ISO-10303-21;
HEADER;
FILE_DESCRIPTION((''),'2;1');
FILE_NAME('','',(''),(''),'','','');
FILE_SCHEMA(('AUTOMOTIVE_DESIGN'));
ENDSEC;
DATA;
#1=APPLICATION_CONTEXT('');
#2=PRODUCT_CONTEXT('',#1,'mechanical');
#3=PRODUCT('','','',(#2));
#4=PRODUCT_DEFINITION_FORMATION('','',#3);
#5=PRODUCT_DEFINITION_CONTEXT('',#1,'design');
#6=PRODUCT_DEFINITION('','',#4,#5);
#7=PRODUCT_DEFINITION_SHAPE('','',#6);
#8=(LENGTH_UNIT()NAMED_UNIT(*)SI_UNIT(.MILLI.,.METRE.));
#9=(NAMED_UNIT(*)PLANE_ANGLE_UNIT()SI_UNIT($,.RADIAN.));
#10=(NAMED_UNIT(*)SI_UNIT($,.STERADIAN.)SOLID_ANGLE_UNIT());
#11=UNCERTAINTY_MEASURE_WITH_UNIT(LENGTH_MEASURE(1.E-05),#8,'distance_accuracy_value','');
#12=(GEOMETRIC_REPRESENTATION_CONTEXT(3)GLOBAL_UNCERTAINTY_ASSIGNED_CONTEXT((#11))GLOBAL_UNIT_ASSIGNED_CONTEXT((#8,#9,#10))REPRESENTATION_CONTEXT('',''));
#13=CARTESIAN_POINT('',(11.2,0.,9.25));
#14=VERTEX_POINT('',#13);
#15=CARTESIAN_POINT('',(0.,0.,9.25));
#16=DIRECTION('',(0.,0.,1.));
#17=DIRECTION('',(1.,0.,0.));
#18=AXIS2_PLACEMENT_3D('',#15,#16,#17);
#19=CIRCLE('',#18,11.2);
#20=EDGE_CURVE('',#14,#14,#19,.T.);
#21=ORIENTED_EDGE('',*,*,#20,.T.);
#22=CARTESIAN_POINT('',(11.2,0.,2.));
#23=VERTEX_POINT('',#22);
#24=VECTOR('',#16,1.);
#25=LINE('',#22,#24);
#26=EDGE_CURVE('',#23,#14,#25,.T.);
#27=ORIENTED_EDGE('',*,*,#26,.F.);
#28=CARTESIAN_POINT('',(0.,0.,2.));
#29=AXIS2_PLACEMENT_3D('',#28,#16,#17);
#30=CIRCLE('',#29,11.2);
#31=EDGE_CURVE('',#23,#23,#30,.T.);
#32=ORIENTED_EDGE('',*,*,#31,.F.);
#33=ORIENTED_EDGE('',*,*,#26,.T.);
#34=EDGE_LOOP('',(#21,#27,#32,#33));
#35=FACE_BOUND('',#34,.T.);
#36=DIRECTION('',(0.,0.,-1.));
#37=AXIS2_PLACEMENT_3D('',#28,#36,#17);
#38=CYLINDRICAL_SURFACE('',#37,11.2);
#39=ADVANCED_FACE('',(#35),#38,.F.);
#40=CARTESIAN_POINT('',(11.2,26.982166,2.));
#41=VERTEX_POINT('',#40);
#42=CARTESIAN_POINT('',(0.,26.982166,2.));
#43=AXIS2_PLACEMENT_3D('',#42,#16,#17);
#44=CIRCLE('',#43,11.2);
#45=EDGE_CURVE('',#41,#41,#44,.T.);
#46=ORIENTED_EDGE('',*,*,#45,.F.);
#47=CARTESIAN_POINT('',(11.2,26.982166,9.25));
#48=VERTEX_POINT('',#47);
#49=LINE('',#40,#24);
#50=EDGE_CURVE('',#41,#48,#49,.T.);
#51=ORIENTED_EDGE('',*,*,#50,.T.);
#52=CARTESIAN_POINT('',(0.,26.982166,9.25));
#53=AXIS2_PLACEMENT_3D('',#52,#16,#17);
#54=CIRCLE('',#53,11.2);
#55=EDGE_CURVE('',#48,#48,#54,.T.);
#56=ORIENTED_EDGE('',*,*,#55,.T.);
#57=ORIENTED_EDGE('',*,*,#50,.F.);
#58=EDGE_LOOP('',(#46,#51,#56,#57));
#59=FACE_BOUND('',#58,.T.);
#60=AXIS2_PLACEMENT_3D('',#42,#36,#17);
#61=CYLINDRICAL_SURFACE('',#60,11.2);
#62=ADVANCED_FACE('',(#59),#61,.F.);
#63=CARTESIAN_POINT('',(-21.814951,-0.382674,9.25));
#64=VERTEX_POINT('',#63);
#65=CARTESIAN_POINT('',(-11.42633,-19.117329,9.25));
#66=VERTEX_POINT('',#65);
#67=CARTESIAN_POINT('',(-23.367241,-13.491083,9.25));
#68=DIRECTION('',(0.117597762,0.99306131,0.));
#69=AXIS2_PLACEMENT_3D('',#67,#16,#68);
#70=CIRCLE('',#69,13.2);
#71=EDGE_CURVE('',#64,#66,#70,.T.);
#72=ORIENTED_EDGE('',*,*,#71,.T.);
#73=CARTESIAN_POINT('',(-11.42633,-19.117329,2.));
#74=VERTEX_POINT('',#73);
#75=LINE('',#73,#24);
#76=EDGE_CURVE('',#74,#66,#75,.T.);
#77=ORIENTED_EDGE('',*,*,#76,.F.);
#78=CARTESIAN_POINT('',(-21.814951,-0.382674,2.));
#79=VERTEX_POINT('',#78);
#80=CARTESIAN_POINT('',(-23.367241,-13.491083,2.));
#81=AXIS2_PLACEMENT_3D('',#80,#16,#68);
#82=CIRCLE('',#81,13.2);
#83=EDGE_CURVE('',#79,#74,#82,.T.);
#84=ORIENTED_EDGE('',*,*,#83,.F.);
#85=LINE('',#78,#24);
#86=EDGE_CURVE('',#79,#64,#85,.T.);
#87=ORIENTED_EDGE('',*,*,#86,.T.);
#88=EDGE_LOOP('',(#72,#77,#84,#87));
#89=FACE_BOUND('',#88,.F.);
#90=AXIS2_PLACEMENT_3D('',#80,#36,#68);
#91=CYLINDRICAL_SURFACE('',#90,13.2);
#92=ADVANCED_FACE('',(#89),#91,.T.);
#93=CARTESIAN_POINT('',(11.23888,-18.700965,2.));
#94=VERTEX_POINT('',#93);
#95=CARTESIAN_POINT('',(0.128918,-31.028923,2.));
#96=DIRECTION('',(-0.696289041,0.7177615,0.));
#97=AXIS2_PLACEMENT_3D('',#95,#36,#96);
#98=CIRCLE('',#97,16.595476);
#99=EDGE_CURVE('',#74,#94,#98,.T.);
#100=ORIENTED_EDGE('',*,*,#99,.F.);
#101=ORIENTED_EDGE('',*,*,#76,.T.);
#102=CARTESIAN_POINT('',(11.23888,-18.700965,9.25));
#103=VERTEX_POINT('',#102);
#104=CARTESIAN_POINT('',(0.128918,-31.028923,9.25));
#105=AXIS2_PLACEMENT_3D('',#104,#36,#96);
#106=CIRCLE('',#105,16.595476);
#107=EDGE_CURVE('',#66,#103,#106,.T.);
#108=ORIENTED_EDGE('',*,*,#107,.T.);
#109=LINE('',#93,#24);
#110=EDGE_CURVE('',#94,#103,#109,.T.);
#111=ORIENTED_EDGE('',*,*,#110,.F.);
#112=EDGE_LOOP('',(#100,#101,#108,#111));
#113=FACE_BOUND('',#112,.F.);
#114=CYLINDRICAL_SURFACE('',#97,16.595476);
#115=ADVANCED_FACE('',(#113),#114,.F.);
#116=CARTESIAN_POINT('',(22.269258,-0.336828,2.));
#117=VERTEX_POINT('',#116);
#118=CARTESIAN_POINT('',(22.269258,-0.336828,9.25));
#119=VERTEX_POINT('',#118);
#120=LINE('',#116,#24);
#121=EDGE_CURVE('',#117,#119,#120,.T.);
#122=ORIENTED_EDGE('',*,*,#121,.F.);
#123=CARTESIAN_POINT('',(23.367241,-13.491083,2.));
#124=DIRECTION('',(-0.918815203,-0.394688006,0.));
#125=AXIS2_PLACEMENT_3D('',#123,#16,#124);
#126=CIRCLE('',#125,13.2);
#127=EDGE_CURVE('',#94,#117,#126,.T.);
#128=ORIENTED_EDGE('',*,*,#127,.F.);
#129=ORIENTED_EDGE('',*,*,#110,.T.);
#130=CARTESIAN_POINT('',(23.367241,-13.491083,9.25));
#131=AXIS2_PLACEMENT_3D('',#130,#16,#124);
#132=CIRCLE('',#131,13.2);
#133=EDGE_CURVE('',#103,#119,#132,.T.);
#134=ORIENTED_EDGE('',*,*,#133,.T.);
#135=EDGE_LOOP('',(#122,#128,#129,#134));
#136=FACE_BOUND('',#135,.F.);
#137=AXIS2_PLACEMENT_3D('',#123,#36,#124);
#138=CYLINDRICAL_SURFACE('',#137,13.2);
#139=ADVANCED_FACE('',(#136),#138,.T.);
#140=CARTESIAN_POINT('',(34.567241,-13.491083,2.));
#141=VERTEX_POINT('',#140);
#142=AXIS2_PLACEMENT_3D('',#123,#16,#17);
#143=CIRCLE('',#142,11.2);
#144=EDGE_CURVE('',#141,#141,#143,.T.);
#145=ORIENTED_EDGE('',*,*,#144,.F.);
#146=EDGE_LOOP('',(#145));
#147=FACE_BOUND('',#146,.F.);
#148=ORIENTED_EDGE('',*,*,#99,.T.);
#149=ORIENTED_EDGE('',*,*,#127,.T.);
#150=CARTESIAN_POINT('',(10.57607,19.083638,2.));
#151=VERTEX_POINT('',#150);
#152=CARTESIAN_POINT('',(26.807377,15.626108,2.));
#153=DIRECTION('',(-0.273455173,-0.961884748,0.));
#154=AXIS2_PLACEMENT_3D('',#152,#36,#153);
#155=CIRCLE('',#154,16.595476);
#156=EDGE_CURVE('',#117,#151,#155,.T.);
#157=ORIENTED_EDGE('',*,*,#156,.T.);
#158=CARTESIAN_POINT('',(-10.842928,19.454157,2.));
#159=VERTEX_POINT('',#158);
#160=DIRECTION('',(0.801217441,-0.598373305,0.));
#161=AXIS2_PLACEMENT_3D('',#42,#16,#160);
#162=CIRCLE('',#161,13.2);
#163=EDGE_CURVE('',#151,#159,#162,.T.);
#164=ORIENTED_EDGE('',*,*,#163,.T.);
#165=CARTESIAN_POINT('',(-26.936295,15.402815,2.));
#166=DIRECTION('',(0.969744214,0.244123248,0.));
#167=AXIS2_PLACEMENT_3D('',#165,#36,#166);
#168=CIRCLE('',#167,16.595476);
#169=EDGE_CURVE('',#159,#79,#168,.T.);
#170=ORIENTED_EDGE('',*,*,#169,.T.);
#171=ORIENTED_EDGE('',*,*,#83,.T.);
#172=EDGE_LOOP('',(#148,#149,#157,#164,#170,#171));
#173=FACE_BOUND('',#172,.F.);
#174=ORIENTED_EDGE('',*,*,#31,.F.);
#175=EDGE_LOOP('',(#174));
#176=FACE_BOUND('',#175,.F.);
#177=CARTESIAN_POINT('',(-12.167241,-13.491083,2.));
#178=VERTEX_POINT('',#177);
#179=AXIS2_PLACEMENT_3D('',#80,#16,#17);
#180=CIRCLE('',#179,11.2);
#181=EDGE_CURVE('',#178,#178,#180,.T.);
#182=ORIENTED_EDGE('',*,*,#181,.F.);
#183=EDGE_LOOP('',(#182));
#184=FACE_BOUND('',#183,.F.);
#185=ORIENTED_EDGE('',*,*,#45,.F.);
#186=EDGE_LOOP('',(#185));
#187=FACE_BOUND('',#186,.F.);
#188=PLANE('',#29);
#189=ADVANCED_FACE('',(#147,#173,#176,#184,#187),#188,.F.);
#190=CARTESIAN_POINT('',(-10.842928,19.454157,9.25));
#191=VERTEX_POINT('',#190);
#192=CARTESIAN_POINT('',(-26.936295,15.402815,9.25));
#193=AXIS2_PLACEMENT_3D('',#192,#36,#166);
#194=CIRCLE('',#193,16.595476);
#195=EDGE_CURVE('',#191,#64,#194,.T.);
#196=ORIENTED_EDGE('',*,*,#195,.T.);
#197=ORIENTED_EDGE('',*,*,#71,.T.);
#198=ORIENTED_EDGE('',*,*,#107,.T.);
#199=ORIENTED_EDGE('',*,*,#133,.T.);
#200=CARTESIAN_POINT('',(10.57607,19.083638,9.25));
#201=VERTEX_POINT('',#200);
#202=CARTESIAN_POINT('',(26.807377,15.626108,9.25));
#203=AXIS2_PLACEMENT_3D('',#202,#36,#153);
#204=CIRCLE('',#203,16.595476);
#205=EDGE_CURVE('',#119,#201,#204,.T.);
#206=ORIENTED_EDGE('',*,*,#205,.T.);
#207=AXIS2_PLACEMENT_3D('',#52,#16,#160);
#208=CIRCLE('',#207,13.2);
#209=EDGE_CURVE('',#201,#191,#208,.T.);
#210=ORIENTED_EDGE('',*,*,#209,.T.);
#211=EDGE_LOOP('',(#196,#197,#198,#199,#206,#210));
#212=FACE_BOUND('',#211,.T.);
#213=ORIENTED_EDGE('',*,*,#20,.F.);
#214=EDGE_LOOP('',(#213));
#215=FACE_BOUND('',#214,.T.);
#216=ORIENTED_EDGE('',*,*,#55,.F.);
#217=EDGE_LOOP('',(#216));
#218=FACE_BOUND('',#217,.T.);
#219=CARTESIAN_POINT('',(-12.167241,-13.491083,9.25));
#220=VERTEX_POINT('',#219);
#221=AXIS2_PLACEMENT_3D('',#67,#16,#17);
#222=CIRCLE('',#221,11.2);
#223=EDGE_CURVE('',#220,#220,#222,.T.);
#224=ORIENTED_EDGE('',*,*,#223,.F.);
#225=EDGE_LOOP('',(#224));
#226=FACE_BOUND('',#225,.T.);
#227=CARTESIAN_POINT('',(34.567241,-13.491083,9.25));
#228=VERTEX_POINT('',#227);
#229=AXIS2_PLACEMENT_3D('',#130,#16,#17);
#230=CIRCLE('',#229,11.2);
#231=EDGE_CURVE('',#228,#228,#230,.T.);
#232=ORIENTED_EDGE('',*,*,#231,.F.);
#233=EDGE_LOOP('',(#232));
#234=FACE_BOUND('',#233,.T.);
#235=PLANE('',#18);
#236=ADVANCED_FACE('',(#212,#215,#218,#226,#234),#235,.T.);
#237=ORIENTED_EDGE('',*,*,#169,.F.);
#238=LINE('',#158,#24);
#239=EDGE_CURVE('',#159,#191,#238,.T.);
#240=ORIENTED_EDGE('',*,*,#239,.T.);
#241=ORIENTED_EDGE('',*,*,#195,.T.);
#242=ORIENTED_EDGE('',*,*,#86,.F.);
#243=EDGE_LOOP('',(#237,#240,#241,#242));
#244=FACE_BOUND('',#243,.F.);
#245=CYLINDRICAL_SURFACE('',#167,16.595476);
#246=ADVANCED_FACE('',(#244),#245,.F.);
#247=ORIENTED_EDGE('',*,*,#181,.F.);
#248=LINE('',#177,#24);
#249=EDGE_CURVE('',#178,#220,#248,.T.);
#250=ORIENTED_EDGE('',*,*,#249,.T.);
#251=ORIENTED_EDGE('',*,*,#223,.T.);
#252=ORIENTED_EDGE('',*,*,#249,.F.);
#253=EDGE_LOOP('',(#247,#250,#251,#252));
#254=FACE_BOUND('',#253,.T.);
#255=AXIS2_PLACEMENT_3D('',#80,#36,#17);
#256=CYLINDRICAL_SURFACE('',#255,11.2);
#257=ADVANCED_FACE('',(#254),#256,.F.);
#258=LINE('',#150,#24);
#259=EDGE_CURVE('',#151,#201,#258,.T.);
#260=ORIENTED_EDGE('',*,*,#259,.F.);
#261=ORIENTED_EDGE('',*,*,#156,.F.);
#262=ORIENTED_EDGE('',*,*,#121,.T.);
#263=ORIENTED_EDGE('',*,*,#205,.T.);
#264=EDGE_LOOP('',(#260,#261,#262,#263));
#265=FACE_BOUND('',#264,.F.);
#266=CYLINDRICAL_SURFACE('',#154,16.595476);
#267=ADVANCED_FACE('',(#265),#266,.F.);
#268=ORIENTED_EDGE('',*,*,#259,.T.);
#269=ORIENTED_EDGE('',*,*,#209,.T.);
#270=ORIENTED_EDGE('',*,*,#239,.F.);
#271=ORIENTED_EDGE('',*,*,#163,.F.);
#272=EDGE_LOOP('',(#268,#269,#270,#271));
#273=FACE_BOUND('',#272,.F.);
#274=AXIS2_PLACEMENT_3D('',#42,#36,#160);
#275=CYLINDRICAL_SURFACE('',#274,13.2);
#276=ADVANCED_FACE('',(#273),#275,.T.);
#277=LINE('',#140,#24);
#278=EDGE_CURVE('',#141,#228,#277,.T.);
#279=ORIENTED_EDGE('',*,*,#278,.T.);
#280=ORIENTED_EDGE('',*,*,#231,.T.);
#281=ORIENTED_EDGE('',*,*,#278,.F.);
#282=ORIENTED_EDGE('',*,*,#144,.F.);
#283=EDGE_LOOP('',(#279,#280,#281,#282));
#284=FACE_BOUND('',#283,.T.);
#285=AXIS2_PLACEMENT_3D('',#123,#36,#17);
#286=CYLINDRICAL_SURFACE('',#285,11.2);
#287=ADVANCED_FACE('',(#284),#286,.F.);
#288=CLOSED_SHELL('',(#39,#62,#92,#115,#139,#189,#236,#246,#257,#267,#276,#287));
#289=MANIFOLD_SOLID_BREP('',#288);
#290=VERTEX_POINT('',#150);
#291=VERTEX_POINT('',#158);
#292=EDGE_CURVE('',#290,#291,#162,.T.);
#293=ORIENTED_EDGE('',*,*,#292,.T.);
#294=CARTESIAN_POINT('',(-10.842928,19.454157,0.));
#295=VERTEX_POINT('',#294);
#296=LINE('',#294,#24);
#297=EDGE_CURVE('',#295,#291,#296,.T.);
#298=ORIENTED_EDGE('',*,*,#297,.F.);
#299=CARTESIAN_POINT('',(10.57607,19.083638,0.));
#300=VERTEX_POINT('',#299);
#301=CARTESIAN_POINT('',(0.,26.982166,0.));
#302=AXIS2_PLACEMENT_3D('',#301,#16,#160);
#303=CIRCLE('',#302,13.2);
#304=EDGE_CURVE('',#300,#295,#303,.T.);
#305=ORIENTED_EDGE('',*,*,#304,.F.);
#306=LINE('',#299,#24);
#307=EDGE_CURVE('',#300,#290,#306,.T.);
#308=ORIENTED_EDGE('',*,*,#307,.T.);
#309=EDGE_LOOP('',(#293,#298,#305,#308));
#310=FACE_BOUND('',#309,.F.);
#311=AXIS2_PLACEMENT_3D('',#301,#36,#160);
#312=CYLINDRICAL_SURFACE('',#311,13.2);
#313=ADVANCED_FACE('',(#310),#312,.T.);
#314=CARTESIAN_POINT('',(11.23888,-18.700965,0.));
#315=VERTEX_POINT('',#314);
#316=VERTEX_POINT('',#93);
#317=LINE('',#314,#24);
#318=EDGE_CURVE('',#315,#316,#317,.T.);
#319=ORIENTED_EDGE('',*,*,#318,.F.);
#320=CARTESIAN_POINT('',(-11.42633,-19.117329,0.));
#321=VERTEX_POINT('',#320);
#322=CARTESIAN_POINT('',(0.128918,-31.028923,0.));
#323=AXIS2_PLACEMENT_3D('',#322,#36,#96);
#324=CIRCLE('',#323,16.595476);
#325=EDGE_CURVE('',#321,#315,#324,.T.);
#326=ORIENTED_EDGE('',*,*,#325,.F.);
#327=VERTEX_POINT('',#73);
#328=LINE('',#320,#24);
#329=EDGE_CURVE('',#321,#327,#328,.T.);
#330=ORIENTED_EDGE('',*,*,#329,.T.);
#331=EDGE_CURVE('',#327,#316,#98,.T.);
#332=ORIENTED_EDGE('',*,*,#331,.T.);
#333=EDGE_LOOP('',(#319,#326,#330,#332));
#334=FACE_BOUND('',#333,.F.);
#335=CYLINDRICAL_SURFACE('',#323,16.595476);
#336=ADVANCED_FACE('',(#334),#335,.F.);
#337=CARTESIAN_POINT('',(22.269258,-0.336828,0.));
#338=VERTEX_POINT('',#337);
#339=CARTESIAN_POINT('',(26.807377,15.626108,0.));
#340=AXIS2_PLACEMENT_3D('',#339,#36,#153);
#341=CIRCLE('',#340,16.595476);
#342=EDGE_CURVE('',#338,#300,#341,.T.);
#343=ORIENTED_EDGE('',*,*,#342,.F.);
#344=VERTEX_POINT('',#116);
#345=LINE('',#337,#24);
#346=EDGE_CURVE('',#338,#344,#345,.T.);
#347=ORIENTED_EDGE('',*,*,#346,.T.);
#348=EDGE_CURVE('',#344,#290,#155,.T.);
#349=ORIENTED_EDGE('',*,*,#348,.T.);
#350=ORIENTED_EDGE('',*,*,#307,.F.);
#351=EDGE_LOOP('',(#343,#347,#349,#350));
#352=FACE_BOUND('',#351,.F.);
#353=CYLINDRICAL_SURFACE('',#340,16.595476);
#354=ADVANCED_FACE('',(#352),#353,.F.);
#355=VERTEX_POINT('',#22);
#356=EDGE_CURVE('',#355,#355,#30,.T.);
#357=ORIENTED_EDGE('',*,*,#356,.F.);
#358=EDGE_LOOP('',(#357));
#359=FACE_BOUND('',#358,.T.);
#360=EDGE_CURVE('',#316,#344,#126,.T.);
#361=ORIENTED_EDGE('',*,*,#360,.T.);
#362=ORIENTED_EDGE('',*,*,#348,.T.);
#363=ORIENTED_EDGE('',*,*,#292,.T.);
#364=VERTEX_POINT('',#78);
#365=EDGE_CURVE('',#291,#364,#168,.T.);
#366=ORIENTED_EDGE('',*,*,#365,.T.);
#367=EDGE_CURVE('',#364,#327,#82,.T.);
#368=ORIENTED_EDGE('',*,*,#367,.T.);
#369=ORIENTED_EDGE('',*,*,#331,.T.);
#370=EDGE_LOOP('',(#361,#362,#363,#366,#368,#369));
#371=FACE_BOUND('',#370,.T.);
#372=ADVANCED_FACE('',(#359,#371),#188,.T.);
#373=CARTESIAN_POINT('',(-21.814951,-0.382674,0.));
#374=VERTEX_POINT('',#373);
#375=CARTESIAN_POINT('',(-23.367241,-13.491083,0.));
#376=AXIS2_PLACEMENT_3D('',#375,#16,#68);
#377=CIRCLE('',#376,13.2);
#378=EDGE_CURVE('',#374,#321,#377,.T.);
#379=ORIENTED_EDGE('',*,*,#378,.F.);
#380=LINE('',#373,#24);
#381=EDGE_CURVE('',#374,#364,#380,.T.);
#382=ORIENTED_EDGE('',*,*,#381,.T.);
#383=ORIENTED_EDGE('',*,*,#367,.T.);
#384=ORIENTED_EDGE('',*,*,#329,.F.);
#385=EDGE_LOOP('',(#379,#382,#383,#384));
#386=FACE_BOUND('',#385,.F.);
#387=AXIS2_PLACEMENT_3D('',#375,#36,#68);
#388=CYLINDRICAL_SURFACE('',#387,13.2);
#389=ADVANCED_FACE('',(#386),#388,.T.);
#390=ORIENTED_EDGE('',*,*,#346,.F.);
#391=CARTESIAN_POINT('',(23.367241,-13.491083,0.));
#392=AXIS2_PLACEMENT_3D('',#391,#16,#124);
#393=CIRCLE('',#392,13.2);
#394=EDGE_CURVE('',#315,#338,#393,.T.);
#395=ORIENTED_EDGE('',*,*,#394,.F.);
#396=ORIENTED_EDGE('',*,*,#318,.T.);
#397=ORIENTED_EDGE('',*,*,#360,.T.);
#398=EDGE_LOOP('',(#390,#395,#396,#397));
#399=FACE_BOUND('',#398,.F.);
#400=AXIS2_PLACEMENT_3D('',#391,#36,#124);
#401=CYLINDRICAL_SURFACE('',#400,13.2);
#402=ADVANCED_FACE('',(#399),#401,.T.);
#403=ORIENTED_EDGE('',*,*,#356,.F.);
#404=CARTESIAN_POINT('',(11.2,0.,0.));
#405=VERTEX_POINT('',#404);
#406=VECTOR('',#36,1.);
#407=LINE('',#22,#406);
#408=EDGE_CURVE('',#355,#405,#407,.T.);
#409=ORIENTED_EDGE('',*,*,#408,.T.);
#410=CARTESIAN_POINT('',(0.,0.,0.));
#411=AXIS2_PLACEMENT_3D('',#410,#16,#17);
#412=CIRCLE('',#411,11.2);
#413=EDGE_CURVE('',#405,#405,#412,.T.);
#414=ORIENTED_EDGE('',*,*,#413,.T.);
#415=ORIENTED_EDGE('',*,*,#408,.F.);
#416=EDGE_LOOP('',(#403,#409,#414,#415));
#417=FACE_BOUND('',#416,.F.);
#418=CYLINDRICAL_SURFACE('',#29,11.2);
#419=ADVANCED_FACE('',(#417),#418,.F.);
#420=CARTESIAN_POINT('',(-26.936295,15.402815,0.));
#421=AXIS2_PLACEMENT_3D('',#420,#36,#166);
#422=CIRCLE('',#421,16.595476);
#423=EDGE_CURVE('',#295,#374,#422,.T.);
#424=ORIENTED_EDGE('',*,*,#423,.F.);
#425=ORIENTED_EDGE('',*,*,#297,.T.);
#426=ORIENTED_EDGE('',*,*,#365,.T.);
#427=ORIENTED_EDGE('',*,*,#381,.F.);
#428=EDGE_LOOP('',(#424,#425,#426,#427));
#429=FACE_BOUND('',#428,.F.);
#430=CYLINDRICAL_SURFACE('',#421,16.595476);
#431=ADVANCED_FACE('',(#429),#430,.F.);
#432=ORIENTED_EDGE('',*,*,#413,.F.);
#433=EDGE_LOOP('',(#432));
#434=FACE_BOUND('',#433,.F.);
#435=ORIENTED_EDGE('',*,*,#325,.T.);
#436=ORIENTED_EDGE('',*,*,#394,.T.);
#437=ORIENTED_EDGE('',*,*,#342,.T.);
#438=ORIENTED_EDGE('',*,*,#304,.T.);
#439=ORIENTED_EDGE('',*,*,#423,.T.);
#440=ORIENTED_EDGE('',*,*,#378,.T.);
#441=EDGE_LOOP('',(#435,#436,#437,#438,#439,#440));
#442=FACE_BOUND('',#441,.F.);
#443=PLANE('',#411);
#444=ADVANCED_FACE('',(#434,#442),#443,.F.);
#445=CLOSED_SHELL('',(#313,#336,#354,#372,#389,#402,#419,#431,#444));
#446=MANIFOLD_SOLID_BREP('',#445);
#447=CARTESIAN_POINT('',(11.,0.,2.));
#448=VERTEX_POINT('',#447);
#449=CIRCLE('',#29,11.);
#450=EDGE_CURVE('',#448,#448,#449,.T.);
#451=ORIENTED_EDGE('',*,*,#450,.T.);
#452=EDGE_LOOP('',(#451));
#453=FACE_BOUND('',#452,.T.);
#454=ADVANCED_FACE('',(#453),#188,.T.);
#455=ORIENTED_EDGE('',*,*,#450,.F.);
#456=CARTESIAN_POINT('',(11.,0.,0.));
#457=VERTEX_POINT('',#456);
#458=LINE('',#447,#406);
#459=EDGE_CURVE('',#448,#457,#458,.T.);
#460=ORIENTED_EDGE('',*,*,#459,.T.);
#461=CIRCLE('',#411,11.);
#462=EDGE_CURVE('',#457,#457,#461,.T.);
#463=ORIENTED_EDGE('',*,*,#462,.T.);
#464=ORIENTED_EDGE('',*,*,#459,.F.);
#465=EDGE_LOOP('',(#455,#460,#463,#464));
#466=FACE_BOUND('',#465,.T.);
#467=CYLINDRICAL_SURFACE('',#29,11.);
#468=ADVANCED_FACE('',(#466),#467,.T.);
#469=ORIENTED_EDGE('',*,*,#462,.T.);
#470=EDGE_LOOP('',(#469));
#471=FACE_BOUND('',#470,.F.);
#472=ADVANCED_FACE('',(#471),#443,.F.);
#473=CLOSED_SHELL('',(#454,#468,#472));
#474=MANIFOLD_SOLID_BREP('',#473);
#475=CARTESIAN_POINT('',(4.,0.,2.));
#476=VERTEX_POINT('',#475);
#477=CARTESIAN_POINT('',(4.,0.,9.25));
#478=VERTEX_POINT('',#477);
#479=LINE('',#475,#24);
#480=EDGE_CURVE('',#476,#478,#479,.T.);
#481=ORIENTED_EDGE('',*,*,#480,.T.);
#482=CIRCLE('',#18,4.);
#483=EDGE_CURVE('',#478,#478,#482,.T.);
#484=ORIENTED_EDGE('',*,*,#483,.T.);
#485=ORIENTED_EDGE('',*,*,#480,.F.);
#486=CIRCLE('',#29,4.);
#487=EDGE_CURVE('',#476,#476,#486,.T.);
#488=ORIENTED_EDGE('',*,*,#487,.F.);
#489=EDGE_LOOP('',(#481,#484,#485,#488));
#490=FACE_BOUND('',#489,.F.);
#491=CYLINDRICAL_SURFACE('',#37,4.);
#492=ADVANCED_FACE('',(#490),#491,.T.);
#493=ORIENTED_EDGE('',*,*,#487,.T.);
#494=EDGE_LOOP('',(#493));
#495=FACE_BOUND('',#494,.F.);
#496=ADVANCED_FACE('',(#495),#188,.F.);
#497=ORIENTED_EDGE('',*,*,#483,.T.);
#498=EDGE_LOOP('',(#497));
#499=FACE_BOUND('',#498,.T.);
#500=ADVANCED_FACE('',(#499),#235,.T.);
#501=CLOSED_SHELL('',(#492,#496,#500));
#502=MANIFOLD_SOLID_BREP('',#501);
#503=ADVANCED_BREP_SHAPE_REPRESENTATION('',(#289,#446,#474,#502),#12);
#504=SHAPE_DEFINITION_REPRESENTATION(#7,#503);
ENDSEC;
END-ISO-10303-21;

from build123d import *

# Parameters (mm, degrees)
F1_DEPTH = 2
F3_R     = 11.2
F3_R_2   = 11
F4_DEPTH = 2
F2_R     = 11.2
F5_DEPTH = 7.25
F2_R_2   = 4


with BuildPart() as f1:
    # F0 (on Top) → F1 (new body)
    with BuildSketch(Plane.XY):
        with BuildLine():
            ThreePointArc((22.2692580733, -0.3368276066), (12.5901028135, 7.0657954034), (10.5760702249, 19.0836382509))
            ThreePointArc((10.5760702249, 19.0836382509), (0.2283074176, 40.1801913209), (-10.8429277726, 19.4541570183))
            ThreePointArc((-10.8429277726, 19.4541570183), (-12.4142097241, 7.370451171), (-21.8149506344, -0.3826736385))
            ThreePointArc((-21.8149506344, -0.3826736385), (-34.9112201217, -19.8923756369), (-11.4263303007, -19.1173294116))
            ThreePointArc((-11.4263303007, -19.1173294116), (-0.1758930894, -14.4362465745), (11.2388804095, -18.7009646124))
            ThreePointArc((11.2388804095, -18.7009646124), (34.682912704, -20.287815684), (22.2692580733, -0.3368276066))
        make_face()
    extrude(amount=F1_DEPTH)

    # F3 (on face) + F1_face1 (on face) → F4 (cut)
    with BuildSketch(Plane.XY.offset(2)):
        Circle(F3_R)
        Circle(F3_R_2, mode=Mode.SUBTRACT)
    with BuildSketch(Plane(origin=(0, 0, 0), x_dir=(1, 0, 0), z_dir=(0, 0, -1))):
        with BuildLine():
            ThreePointArc((10.5760702249, -19.0836382509), (12.5901028135, -7.0657954034), (22.2692580733, 0.3368276066))
            ThreePointArc((22.2692580733, 0.3368276066), (34.682912704, 20.287815684), (11.2388804095, 18.7009646124))
            ThreePointArc((11.2388804095, 18.7009646124), (-0.1758930894, 14.4362465745), (-11.4263303007, 19.1173294116))
            ThreePointArc((-11.4263303007, 19.1173294116), (-34.9112201217, 19.8923756369), (-21.8149506344, 0.3826736385))
            ThreePointArc((-21.8149506344, 0.3826736385), (-12.4142097241, -7.370451171), (-10.8429277726, -19.4541570183))
            ThreePointArc((-10.8429277726, -19.4541570183), (0.2283074176, -40.1801913209), (10.5760702249, -19.0836382509))
        make_face()
    extrude(amount=-F4_DEPTH, dir=(0, 0, 1), mode=Mode.SUBTRACT)


with BuildPart() as f5:
    # F2 (on face) → F5 (new body)
    with BuildSketch(Plane.XY.offset(2)):
        with BuildLine():
            ThreePointArc((11.2388804095, -18.7009646124), (34.682912704, -20.287815684), (22.2692580733, -0.3368276066))
            ThreePointArc((22.2692580733, -0.3368276066), (12.5901028135, 7.0657954034), (10.5760702249, 19.0836382509))
            ThreePointArc((10.5760702249, 19.0836382509), (0.2283074176, 40.1801913209), (-10.8429277726, 19.4541570183))
            ThreePointArc((-10.8429277726, 19.4541570183), (-12.4142097241, 7.370451171), (-21.8149506344, -0.3826736385))
            ThreePointArc((-21.8149506344, -0.3826736385), (-34.9112201217, -19.8923756369), (-11.4263303007, -19.1173294116))
            ThreePointArc((-11.4263303007, -19.1173294116), (-0.1758930894, -14.4362465745), (11.2388804095, -18.7009646124))
        make_face()
        with Locations((-23.3672410952, -13.4910829365)):
            Circle(F2_R, mode=Mode.SUBTRACT)
        with Locations((23.3672410952, -13.4910829365)):
            Circle(F2_R, mode=Mode.SUBTRACT)
        Circle(F2_R, mode=Mode.SUBTRACT)
        with Locations((0, 26.9821658731)):
            Circle(F2_R, mode=Mode.SUBTRACT)
    extrude(amount=F5_DEPTH)


with BuildPart() as f5b:
    # F2 (on face) → F5, piece 2 (new body)
    with BuildSketch(Plane.XY.offset(2)):
        Circle(F2_R_2)
    extrude(amount=F5_DEPTH)


solid = Compound([f1.part, f5.part, f5b.part])
